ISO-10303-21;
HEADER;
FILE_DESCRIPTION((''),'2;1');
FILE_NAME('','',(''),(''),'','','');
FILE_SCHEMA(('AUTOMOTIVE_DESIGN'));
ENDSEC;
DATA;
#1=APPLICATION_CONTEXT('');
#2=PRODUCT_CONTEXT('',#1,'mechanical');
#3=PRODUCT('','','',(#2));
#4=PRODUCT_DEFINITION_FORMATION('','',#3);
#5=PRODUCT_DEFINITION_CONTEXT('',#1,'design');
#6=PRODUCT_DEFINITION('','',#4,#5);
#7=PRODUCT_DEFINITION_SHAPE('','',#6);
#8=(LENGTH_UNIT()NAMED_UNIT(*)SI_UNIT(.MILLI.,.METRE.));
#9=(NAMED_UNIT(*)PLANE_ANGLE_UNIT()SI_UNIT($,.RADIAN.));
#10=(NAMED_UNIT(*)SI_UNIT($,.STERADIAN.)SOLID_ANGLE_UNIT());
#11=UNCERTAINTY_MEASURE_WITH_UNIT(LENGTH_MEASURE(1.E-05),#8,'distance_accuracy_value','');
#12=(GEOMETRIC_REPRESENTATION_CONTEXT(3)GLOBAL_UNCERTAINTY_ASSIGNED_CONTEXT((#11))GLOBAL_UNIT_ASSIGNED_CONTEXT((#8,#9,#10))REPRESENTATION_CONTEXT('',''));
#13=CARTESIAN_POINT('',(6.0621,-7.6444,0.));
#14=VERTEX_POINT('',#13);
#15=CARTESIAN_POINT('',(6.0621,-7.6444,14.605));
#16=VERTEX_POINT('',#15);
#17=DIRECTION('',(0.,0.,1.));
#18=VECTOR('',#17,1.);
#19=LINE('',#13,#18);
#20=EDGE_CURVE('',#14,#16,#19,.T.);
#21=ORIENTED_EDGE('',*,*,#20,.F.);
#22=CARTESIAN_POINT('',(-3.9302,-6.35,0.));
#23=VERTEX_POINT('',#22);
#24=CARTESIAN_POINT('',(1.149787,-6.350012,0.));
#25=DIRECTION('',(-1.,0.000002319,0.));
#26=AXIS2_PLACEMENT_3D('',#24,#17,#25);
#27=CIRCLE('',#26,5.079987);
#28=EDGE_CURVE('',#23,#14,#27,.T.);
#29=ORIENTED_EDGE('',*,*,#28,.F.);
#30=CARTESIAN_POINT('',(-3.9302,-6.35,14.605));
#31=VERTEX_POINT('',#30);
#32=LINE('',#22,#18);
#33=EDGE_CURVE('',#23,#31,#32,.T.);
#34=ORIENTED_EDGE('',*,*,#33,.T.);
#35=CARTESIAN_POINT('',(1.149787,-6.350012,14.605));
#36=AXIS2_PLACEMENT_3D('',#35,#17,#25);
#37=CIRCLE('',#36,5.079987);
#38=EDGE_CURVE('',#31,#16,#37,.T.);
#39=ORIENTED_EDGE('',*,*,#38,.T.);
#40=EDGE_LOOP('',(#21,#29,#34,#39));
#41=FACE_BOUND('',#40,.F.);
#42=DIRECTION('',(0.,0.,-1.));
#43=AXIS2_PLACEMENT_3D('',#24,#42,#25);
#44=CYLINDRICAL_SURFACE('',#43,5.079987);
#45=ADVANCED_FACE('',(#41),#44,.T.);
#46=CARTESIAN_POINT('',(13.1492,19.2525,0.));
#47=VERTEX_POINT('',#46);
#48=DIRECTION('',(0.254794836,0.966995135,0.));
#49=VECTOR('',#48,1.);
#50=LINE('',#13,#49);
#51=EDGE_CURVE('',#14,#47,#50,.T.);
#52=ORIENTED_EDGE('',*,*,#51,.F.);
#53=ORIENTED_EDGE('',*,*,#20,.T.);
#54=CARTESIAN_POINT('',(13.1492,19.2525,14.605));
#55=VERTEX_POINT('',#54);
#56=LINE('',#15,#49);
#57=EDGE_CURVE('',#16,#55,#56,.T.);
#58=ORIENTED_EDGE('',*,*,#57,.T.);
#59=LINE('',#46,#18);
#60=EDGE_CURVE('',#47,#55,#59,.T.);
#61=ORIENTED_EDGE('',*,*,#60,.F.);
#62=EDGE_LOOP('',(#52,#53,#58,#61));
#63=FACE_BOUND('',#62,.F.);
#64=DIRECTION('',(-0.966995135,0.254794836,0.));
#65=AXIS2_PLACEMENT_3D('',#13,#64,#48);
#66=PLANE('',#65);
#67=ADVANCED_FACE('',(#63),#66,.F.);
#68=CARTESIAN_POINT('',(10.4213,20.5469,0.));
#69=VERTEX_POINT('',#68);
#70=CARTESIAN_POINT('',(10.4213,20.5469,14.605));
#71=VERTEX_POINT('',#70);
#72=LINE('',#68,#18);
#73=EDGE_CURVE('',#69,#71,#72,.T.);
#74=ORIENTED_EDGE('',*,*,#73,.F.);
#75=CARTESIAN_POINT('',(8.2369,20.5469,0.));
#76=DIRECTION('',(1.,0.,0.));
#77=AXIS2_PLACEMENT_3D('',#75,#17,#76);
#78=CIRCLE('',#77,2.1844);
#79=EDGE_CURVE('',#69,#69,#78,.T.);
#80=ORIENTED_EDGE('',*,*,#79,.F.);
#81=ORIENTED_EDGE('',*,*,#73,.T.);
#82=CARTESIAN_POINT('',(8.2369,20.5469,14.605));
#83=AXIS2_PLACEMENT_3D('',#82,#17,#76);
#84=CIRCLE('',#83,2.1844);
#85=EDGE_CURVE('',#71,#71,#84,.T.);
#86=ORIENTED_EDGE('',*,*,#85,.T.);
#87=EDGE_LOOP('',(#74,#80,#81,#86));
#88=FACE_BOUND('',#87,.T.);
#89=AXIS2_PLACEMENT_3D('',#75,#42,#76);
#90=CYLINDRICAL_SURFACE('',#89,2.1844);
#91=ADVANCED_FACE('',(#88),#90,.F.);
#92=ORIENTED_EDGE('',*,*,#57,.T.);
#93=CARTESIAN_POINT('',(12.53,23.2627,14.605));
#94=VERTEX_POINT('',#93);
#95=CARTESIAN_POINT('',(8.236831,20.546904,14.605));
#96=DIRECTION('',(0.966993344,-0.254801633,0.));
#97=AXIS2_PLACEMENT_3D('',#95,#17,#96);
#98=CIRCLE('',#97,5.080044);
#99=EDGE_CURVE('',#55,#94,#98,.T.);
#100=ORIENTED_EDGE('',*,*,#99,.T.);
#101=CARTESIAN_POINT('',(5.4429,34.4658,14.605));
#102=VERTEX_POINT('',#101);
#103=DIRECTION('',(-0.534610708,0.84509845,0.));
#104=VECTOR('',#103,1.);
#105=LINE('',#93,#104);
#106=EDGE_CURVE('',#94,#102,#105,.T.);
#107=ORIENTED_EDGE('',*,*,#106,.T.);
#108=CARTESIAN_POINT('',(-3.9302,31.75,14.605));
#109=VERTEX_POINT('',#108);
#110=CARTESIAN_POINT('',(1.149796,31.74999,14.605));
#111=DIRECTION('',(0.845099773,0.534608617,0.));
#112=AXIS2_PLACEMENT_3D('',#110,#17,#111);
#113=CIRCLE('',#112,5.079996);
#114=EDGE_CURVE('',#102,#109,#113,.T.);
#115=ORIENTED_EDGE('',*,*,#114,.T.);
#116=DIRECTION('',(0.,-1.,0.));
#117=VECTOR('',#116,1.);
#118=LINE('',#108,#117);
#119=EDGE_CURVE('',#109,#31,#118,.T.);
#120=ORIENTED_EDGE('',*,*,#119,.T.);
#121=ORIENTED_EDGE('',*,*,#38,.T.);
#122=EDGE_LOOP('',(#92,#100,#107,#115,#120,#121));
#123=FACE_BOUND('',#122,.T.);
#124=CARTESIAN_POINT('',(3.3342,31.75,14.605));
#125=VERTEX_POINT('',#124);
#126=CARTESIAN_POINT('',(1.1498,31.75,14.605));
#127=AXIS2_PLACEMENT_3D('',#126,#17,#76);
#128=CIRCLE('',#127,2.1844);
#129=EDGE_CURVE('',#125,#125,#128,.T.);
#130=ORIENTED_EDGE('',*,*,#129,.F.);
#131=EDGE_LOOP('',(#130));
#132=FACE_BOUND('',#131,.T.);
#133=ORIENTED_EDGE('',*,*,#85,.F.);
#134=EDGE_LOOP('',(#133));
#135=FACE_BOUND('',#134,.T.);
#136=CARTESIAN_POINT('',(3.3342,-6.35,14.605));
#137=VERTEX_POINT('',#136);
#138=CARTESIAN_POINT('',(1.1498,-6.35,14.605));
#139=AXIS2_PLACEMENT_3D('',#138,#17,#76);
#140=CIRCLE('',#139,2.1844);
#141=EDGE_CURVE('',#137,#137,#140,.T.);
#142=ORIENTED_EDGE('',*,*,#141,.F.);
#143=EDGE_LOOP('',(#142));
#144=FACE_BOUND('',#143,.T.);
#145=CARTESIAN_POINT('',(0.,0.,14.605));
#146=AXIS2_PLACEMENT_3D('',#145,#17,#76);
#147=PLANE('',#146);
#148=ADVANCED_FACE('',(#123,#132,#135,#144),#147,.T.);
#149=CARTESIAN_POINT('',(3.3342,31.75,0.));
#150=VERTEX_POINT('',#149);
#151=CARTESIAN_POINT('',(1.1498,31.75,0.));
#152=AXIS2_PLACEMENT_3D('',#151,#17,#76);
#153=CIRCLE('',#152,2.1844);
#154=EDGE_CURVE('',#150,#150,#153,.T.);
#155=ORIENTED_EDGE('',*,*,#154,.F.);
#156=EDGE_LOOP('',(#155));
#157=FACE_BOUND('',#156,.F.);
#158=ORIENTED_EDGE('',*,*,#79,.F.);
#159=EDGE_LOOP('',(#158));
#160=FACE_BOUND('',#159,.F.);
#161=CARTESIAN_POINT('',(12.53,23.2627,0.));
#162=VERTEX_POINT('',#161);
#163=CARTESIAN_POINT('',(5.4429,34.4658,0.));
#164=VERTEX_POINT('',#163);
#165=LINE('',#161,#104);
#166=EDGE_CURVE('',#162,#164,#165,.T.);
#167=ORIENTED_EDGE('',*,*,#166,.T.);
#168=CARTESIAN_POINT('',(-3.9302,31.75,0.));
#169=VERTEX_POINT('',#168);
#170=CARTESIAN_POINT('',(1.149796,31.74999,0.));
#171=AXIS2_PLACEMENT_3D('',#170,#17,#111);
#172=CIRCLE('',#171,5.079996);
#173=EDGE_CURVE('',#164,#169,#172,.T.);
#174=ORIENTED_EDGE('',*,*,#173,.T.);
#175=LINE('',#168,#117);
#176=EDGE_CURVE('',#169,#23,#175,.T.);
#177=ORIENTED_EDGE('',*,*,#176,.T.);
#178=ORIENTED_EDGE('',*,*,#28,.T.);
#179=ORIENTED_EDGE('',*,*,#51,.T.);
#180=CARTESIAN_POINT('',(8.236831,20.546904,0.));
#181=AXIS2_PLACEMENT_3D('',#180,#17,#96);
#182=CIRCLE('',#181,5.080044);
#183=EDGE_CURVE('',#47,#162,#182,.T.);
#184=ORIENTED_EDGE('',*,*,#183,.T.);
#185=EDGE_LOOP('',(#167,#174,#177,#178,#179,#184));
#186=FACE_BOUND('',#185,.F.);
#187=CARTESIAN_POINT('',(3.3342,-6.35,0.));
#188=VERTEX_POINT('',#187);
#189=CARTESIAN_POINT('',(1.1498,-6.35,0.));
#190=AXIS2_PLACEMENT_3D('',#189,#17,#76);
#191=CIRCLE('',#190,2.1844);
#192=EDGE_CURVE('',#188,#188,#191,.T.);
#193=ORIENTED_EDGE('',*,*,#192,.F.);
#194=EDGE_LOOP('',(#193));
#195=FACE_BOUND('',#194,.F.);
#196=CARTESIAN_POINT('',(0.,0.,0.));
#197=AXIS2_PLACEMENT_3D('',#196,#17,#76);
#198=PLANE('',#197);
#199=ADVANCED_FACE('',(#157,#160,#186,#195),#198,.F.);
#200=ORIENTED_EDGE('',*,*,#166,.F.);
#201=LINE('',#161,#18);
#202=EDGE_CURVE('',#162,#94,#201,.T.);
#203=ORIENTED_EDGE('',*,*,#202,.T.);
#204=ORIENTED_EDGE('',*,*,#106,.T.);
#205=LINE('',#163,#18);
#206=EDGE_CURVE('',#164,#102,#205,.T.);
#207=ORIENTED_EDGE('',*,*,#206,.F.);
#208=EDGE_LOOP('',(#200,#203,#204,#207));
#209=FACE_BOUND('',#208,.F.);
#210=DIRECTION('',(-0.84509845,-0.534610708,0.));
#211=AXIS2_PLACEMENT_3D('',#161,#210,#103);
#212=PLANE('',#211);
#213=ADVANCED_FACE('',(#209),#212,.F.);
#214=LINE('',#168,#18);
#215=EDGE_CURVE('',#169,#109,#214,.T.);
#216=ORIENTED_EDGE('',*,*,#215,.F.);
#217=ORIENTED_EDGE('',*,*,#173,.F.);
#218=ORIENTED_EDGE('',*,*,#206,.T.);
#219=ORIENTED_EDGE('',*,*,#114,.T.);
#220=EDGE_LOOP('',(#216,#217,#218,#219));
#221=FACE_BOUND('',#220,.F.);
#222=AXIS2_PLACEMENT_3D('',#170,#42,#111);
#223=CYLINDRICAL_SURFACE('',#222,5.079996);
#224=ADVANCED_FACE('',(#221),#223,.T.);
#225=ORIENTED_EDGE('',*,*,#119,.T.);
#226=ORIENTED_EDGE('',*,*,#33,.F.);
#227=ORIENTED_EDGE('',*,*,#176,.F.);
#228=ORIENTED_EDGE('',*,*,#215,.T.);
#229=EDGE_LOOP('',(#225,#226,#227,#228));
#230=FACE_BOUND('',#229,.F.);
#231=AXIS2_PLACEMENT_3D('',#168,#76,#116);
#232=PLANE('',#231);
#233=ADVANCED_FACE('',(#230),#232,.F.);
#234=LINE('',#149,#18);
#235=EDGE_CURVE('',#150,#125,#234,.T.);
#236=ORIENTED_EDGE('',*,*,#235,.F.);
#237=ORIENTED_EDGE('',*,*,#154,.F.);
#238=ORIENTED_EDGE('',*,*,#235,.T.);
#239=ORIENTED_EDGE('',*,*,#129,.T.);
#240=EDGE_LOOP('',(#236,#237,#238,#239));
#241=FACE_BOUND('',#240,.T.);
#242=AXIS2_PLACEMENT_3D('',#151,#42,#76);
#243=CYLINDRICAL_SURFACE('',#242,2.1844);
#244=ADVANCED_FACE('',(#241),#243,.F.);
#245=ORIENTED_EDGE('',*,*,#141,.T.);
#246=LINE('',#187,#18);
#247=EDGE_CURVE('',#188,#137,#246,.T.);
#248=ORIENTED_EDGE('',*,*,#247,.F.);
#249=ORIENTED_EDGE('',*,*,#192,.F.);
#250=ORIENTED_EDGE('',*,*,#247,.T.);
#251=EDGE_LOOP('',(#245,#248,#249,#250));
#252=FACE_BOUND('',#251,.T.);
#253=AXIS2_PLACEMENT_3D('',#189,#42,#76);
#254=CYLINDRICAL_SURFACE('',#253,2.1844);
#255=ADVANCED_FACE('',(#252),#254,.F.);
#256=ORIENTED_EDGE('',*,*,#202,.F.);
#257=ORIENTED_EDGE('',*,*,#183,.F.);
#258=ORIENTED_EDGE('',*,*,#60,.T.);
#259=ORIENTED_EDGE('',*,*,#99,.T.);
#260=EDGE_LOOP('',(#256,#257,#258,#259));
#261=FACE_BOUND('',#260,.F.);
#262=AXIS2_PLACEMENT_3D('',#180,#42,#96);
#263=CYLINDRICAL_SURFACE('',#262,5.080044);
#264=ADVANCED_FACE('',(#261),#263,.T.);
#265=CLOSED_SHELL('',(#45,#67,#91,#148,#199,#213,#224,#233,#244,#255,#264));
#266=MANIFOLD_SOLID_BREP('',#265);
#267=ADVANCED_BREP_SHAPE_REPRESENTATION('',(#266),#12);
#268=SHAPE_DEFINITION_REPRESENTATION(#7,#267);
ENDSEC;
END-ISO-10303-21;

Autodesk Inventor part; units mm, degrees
ref_plane "YZ Plane" through (0, 0, 0) normal (1, 0, 0) x (0, 1, 0)
ref_plane "XZ Plane" through (0, 0, 0) normal (0, 1, 0) x (-1, 0, 0)
ref_plane "XY Plane" through (0, 0, 0) normal (0, 0, 1) x (1, 0, 0)
sketch "Sketch1" plane through (0, 0, 0) normal (0, 0, 1) x (1, 0, 0)
  circle A0 centre (1.1498, 31.75) radius 2.1844 projected
  circle A1 centre (1.1498, -6.35) radius 2.1844 projected
  circle A2 centre (8.2369, 20.5469) radius 2.1844 projected
  arc A3 (-3.9302, -6.35) -> (6.0621, -7.6444) centre (1.1498, -6.35) ccw
  arc A4 (5.4429, 34.4658) -> (-3.9302, 31.75) centre (1.1498, 31.75) ccw
  arc A5 (13.1492, 19.2525) -> (12.53, 23.2627) centre (8.2369, 20.5469) ccw
  line L0 (6.0621, -7.6444) -> (13.1492, 19.2525)
  line L1 (12.53, 23.2627) -> (5.4429, 34.4658)
  line L2 (-3.9302, 31.75) -> (-3.9302, -6.35)
  point P0 (0, 0)
  dimension "d0" = 5.08
  dimension "d1" = 5.08
  dimension "d2" = 5.08
extrude "Extrusion1" add sketch "Sketch1" along normal blind 14.605
properties part number "RoundFix" material "Plastic, Opaque Black"
